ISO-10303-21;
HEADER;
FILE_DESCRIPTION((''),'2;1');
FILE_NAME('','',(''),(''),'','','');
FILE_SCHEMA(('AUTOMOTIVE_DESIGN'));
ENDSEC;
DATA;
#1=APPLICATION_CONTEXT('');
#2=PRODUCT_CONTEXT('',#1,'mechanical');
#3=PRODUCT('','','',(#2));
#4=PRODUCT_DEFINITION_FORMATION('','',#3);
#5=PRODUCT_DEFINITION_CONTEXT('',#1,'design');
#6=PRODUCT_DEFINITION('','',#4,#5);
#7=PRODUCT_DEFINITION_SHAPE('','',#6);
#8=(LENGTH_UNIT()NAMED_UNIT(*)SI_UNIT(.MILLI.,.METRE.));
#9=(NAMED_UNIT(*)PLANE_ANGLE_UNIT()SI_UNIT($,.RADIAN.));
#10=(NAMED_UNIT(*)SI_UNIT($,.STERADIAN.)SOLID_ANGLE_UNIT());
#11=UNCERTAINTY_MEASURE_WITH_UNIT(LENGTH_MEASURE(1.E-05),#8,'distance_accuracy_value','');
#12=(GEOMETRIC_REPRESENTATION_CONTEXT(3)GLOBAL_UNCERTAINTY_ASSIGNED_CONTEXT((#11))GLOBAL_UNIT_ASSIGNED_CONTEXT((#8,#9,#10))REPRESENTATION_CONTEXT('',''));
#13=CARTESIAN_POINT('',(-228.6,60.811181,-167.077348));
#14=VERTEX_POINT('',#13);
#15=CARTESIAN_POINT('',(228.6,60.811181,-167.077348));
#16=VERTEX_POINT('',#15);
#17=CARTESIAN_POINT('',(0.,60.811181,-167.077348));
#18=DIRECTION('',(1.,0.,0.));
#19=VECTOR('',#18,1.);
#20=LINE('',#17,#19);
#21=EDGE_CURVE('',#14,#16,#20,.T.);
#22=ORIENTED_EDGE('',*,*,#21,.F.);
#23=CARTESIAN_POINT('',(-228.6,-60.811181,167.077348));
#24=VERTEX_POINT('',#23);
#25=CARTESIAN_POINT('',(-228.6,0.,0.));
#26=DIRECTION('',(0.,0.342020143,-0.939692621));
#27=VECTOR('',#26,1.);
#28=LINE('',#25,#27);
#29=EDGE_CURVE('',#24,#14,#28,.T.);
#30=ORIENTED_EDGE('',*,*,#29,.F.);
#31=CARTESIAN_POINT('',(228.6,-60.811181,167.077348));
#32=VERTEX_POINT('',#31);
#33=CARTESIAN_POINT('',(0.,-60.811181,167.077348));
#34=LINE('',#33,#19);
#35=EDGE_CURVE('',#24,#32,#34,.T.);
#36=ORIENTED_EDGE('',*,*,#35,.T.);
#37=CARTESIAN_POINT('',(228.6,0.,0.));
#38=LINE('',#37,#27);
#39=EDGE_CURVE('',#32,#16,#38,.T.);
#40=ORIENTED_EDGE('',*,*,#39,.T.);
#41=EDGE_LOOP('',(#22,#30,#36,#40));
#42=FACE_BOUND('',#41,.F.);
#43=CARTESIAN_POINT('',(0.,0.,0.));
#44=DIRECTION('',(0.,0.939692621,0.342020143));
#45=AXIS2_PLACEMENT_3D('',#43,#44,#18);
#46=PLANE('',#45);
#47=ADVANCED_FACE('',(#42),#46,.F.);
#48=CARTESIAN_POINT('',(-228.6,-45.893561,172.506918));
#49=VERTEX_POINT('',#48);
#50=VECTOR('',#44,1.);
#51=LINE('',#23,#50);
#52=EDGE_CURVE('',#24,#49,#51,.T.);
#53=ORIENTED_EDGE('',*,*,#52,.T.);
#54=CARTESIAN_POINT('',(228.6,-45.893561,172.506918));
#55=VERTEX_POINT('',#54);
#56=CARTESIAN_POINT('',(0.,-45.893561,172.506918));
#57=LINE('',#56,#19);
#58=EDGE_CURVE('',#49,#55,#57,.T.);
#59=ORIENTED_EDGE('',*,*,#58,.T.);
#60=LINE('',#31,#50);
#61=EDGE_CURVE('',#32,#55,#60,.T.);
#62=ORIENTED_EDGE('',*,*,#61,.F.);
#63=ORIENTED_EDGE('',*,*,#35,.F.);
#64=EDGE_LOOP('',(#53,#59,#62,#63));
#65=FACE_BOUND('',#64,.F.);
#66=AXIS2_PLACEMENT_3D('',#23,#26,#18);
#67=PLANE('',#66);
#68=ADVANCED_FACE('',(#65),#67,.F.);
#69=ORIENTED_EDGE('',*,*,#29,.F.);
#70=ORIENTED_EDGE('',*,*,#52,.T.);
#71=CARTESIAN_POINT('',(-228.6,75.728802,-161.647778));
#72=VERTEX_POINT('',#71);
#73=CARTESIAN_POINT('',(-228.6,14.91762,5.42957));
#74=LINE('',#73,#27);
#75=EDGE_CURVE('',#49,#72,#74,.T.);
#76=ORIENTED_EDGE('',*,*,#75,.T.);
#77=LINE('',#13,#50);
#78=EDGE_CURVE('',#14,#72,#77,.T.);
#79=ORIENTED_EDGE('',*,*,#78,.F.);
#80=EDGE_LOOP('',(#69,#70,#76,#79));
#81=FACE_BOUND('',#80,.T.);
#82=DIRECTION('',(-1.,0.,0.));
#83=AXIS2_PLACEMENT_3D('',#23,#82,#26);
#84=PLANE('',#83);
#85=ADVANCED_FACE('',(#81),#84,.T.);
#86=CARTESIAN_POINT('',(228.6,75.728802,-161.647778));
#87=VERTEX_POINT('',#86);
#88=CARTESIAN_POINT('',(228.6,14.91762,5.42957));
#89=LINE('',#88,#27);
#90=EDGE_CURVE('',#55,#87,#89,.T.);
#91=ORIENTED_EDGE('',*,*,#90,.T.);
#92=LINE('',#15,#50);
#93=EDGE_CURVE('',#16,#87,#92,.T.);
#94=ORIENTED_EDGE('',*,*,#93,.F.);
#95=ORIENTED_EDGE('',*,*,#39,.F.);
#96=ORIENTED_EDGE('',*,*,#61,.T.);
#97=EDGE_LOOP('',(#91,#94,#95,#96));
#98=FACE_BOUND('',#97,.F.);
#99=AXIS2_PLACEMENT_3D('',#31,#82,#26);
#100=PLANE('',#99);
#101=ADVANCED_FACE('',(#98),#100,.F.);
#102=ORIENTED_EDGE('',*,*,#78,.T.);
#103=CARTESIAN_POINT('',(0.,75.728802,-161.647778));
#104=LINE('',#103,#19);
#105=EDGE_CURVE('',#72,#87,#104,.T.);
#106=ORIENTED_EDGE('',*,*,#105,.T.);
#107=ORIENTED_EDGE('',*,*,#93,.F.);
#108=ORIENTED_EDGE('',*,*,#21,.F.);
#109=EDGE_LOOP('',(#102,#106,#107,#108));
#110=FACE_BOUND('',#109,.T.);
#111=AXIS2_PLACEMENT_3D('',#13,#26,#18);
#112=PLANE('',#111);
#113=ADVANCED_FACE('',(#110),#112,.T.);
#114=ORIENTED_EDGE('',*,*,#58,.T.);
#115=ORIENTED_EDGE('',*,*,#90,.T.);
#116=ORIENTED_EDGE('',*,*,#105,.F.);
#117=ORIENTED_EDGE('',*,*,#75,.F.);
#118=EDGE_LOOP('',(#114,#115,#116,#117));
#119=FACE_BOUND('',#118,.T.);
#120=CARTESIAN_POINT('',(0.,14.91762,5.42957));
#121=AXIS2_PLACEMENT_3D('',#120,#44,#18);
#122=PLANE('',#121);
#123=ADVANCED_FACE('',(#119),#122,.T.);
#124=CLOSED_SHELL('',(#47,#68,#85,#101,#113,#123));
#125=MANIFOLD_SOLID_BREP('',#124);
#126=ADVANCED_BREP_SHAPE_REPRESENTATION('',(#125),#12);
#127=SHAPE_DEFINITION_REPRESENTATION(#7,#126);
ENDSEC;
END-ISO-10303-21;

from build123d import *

# Parameters (mm, degrees)
F0_W     = 457.2
F0_H     = 355.6
F1_DEPTH = 15.875
F2_ANGLE = 70


with BuildPart() as f1:
    # F0 (on Top) → F1 (new body)
    with BuildSketch(Plane.XY):
        Rectangle(F0_W, F0_H)
    extrude(amount=F1_DEPTH)


with BuildPart() as f1_1:
    # F2: moved
    add(f1.part.rotate(Axis((0, 0, 0), (-1, 0, 0)), F2_ANGLE))


solid = f1_1.part
